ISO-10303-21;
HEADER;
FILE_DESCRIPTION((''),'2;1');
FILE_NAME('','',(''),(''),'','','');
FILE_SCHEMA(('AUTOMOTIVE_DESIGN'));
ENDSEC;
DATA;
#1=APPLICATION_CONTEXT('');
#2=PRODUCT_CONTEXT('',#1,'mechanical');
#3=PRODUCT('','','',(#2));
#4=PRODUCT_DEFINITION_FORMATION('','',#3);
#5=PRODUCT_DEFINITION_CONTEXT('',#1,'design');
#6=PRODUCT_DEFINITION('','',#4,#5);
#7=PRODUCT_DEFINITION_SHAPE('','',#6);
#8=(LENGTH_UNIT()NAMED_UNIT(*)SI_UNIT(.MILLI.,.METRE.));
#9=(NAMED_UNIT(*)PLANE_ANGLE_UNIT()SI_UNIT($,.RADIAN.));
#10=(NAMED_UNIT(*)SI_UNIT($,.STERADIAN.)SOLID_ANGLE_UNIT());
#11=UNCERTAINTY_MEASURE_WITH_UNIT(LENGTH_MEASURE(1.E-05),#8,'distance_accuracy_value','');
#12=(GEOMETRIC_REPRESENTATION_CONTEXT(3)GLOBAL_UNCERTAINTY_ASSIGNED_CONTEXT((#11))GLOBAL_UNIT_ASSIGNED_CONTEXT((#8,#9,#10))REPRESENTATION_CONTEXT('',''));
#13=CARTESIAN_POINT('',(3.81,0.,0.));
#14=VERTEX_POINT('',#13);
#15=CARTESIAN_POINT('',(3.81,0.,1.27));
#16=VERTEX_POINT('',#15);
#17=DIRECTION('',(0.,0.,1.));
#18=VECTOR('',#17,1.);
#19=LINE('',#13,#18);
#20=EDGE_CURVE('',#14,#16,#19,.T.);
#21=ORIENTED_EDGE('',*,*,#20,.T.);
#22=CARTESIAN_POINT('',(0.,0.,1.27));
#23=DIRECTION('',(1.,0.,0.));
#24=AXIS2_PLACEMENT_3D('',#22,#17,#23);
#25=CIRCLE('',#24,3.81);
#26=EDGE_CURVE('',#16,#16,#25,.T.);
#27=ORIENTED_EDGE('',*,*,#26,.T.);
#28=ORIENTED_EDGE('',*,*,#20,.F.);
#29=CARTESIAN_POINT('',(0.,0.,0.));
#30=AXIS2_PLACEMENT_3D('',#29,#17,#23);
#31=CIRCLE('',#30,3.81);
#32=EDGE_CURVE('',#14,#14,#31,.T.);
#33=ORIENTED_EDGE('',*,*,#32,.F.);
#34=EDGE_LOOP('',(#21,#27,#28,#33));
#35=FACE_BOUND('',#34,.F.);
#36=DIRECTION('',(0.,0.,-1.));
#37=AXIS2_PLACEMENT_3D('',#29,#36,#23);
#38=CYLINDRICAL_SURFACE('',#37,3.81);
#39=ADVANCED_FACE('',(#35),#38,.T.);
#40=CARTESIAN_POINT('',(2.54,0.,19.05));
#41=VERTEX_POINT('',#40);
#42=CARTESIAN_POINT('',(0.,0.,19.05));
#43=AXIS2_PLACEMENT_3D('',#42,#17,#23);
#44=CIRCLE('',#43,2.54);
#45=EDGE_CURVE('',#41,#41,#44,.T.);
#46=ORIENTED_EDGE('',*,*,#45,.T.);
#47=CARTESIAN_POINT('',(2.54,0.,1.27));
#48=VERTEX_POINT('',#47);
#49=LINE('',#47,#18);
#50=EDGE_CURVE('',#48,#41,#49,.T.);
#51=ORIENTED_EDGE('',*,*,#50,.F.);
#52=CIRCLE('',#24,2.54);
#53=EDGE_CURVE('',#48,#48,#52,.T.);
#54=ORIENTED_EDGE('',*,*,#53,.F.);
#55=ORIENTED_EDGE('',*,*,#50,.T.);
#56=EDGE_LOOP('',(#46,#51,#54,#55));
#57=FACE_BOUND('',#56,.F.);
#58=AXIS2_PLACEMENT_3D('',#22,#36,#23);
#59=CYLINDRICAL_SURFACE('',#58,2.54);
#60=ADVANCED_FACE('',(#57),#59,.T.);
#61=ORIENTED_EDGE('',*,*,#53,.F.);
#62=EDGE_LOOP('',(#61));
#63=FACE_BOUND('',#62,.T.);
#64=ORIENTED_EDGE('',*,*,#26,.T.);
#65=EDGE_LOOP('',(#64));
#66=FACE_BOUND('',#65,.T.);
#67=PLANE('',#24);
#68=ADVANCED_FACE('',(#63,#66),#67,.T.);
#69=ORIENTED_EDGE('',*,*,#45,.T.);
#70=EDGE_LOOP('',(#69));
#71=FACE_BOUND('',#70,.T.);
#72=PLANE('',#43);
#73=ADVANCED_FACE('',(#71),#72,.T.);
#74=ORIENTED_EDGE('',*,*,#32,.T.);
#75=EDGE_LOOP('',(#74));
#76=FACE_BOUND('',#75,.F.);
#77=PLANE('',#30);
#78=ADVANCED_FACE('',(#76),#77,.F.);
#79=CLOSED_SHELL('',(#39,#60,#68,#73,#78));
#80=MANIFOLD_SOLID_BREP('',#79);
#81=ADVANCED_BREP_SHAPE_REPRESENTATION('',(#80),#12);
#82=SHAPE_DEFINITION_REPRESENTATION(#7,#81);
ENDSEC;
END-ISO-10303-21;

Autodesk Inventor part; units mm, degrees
ref_plane "YZ Plane" through (0, 0, 0) normal (1, 0, 0) x (0, 1, 0)
ref_plane "XZ Plane" through (0, 0, 0) normal (0, 1, 0) x (-1, 0, 0)
ref_plane "XY Plane" through (0, 0, 0) normal (0, 0, 1) x (1, 0, 0)
sketch "Sketch1" plane through (0, 0, 0) normal (0, 0, 1) x (1, 0, 0)
  circle A0 centre (0, 0) radius 3.81
  dimension "d0" = 7.62
extrude "Extrusion1" add sketch "Sketch1" along normal blind 1.27
sketch "Sketch2" plane through (0, 0, 1.27) normal (0, 0, 1) x (1, 0, 0)
  circle A0 centre (0, 0) radius 2.54
  dimension "d3" = 5.08
extrude "Extrusion2" add sketch "Sketch2" along normal blind 17.78
properties part number "J001399" material "TEFLON"
